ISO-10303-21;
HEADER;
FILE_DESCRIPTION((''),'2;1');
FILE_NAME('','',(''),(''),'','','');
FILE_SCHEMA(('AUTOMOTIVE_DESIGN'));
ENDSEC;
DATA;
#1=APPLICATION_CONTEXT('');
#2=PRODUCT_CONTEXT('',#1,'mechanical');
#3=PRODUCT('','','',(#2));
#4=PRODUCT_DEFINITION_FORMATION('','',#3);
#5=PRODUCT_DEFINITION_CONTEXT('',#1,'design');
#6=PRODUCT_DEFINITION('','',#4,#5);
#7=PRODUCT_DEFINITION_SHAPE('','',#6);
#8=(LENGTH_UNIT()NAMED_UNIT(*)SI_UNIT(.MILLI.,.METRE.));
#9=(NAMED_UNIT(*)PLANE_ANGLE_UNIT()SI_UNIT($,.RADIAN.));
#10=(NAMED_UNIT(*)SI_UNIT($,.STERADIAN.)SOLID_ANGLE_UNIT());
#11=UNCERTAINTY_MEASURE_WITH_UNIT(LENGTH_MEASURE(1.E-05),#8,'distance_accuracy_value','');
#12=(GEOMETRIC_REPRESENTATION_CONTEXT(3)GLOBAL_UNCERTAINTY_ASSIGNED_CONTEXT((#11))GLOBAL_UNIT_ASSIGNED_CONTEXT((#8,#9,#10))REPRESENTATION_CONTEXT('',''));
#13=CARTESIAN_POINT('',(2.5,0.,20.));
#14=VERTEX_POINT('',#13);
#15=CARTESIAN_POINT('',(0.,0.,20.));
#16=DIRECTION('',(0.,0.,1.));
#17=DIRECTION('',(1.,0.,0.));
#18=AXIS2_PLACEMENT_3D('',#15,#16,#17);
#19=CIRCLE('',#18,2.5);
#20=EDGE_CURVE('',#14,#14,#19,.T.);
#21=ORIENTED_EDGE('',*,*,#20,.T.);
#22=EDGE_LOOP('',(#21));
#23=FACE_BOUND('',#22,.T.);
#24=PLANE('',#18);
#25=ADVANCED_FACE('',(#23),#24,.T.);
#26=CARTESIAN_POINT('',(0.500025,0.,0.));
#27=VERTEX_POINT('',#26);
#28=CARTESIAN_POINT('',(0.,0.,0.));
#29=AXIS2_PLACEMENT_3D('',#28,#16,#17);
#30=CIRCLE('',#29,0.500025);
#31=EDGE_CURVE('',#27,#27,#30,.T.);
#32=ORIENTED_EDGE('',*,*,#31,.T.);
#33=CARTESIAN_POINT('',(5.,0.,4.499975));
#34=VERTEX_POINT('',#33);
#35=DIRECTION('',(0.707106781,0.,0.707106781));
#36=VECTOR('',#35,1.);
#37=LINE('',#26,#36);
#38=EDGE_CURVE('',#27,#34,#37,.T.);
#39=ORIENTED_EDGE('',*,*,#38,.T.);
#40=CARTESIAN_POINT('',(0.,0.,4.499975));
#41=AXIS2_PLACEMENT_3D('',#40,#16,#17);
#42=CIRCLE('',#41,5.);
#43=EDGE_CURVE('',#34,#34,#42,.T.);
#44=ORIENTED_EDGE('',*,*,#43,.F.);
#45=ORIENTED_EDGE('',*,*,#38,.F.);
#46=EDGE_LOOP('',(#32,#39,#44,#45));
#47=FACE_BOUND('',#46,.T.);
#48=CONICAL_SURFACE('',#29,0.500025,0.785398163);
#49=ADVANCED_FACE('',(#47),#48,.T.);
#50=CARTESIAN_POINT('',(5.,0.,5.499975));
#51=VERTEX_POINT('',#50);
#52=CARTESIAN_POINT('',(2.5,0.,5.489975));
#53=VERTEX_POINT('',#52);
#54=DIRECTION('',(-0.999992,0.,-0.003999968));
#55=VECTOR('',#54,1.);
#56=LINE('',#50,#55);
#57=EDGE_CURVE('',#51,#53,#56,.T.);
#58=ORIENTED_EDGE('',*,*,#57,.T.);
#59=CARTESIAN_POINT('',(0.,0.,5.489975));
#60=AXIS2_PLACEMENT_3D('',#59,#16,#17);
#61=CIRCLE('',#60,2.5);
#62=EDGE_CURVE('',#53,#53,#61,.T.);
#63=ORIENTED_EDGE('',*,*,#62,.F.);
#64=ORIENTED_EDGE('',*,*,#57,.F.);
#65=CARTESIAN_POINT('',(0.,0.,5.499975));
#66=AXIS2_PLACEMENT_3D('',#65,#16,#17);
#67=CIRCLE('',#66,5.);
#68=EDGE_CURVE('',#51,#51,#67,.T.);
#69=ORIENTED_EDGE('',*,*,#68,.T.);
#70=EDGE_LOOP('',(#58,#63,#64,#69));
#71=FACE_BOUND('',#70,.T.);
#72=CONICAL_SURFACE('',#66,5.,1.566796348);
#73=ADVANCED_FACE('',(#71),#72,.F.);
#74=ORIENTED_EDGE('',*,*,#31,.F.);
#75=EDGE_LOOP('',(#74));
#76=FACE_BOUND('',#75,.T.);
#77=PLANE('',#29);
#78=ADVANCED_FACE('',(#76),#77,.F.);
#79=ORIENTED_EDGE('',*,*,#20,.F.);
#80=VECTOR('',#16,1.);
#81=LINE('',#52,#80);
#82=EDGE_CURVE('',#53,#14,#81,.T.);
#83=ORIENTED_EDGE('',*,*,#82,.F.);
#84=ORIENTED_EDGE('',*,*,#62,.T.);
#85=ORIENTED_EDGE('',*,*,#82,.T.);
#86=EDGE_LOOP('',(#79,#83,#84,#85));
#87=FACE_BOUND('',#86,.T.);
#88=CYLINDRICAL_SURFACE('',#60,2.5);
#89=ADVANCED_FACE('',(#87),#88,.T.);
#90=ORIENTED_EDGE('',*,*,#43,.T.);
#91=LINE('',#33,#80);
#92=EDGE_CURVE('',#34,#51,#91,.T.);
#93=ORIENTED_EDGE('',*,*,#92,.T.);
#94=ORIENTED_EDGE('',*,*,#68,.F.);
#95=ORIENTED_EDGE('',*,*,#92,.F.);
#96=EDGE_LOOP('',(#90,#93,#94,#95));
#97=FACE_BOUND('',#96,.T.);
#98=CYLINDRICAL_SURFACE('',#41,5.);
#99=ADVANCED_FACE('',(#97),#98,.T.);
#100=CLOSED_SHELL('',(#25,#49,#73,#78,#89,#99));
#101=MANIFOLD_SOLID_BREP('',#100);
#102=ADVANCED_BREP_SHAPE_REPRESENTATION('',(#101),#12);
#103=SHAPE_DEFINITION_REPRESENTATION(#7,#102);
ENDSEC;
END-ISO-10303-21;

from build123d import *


with BuildPart() as part:
    # Sketch → Revolution (revolve)
    with BuildSketch(Plane.XZ):
        Polygon((0, 20), (0, 0), (0.500025, 0), (5, 4.499975), (5, 5.499975), (2.5, 5.489975), (2.5, 20), align=None)
    revolve(axis=Axis((0, 0, 0), (0, 0, 1)))


solid = part.part
